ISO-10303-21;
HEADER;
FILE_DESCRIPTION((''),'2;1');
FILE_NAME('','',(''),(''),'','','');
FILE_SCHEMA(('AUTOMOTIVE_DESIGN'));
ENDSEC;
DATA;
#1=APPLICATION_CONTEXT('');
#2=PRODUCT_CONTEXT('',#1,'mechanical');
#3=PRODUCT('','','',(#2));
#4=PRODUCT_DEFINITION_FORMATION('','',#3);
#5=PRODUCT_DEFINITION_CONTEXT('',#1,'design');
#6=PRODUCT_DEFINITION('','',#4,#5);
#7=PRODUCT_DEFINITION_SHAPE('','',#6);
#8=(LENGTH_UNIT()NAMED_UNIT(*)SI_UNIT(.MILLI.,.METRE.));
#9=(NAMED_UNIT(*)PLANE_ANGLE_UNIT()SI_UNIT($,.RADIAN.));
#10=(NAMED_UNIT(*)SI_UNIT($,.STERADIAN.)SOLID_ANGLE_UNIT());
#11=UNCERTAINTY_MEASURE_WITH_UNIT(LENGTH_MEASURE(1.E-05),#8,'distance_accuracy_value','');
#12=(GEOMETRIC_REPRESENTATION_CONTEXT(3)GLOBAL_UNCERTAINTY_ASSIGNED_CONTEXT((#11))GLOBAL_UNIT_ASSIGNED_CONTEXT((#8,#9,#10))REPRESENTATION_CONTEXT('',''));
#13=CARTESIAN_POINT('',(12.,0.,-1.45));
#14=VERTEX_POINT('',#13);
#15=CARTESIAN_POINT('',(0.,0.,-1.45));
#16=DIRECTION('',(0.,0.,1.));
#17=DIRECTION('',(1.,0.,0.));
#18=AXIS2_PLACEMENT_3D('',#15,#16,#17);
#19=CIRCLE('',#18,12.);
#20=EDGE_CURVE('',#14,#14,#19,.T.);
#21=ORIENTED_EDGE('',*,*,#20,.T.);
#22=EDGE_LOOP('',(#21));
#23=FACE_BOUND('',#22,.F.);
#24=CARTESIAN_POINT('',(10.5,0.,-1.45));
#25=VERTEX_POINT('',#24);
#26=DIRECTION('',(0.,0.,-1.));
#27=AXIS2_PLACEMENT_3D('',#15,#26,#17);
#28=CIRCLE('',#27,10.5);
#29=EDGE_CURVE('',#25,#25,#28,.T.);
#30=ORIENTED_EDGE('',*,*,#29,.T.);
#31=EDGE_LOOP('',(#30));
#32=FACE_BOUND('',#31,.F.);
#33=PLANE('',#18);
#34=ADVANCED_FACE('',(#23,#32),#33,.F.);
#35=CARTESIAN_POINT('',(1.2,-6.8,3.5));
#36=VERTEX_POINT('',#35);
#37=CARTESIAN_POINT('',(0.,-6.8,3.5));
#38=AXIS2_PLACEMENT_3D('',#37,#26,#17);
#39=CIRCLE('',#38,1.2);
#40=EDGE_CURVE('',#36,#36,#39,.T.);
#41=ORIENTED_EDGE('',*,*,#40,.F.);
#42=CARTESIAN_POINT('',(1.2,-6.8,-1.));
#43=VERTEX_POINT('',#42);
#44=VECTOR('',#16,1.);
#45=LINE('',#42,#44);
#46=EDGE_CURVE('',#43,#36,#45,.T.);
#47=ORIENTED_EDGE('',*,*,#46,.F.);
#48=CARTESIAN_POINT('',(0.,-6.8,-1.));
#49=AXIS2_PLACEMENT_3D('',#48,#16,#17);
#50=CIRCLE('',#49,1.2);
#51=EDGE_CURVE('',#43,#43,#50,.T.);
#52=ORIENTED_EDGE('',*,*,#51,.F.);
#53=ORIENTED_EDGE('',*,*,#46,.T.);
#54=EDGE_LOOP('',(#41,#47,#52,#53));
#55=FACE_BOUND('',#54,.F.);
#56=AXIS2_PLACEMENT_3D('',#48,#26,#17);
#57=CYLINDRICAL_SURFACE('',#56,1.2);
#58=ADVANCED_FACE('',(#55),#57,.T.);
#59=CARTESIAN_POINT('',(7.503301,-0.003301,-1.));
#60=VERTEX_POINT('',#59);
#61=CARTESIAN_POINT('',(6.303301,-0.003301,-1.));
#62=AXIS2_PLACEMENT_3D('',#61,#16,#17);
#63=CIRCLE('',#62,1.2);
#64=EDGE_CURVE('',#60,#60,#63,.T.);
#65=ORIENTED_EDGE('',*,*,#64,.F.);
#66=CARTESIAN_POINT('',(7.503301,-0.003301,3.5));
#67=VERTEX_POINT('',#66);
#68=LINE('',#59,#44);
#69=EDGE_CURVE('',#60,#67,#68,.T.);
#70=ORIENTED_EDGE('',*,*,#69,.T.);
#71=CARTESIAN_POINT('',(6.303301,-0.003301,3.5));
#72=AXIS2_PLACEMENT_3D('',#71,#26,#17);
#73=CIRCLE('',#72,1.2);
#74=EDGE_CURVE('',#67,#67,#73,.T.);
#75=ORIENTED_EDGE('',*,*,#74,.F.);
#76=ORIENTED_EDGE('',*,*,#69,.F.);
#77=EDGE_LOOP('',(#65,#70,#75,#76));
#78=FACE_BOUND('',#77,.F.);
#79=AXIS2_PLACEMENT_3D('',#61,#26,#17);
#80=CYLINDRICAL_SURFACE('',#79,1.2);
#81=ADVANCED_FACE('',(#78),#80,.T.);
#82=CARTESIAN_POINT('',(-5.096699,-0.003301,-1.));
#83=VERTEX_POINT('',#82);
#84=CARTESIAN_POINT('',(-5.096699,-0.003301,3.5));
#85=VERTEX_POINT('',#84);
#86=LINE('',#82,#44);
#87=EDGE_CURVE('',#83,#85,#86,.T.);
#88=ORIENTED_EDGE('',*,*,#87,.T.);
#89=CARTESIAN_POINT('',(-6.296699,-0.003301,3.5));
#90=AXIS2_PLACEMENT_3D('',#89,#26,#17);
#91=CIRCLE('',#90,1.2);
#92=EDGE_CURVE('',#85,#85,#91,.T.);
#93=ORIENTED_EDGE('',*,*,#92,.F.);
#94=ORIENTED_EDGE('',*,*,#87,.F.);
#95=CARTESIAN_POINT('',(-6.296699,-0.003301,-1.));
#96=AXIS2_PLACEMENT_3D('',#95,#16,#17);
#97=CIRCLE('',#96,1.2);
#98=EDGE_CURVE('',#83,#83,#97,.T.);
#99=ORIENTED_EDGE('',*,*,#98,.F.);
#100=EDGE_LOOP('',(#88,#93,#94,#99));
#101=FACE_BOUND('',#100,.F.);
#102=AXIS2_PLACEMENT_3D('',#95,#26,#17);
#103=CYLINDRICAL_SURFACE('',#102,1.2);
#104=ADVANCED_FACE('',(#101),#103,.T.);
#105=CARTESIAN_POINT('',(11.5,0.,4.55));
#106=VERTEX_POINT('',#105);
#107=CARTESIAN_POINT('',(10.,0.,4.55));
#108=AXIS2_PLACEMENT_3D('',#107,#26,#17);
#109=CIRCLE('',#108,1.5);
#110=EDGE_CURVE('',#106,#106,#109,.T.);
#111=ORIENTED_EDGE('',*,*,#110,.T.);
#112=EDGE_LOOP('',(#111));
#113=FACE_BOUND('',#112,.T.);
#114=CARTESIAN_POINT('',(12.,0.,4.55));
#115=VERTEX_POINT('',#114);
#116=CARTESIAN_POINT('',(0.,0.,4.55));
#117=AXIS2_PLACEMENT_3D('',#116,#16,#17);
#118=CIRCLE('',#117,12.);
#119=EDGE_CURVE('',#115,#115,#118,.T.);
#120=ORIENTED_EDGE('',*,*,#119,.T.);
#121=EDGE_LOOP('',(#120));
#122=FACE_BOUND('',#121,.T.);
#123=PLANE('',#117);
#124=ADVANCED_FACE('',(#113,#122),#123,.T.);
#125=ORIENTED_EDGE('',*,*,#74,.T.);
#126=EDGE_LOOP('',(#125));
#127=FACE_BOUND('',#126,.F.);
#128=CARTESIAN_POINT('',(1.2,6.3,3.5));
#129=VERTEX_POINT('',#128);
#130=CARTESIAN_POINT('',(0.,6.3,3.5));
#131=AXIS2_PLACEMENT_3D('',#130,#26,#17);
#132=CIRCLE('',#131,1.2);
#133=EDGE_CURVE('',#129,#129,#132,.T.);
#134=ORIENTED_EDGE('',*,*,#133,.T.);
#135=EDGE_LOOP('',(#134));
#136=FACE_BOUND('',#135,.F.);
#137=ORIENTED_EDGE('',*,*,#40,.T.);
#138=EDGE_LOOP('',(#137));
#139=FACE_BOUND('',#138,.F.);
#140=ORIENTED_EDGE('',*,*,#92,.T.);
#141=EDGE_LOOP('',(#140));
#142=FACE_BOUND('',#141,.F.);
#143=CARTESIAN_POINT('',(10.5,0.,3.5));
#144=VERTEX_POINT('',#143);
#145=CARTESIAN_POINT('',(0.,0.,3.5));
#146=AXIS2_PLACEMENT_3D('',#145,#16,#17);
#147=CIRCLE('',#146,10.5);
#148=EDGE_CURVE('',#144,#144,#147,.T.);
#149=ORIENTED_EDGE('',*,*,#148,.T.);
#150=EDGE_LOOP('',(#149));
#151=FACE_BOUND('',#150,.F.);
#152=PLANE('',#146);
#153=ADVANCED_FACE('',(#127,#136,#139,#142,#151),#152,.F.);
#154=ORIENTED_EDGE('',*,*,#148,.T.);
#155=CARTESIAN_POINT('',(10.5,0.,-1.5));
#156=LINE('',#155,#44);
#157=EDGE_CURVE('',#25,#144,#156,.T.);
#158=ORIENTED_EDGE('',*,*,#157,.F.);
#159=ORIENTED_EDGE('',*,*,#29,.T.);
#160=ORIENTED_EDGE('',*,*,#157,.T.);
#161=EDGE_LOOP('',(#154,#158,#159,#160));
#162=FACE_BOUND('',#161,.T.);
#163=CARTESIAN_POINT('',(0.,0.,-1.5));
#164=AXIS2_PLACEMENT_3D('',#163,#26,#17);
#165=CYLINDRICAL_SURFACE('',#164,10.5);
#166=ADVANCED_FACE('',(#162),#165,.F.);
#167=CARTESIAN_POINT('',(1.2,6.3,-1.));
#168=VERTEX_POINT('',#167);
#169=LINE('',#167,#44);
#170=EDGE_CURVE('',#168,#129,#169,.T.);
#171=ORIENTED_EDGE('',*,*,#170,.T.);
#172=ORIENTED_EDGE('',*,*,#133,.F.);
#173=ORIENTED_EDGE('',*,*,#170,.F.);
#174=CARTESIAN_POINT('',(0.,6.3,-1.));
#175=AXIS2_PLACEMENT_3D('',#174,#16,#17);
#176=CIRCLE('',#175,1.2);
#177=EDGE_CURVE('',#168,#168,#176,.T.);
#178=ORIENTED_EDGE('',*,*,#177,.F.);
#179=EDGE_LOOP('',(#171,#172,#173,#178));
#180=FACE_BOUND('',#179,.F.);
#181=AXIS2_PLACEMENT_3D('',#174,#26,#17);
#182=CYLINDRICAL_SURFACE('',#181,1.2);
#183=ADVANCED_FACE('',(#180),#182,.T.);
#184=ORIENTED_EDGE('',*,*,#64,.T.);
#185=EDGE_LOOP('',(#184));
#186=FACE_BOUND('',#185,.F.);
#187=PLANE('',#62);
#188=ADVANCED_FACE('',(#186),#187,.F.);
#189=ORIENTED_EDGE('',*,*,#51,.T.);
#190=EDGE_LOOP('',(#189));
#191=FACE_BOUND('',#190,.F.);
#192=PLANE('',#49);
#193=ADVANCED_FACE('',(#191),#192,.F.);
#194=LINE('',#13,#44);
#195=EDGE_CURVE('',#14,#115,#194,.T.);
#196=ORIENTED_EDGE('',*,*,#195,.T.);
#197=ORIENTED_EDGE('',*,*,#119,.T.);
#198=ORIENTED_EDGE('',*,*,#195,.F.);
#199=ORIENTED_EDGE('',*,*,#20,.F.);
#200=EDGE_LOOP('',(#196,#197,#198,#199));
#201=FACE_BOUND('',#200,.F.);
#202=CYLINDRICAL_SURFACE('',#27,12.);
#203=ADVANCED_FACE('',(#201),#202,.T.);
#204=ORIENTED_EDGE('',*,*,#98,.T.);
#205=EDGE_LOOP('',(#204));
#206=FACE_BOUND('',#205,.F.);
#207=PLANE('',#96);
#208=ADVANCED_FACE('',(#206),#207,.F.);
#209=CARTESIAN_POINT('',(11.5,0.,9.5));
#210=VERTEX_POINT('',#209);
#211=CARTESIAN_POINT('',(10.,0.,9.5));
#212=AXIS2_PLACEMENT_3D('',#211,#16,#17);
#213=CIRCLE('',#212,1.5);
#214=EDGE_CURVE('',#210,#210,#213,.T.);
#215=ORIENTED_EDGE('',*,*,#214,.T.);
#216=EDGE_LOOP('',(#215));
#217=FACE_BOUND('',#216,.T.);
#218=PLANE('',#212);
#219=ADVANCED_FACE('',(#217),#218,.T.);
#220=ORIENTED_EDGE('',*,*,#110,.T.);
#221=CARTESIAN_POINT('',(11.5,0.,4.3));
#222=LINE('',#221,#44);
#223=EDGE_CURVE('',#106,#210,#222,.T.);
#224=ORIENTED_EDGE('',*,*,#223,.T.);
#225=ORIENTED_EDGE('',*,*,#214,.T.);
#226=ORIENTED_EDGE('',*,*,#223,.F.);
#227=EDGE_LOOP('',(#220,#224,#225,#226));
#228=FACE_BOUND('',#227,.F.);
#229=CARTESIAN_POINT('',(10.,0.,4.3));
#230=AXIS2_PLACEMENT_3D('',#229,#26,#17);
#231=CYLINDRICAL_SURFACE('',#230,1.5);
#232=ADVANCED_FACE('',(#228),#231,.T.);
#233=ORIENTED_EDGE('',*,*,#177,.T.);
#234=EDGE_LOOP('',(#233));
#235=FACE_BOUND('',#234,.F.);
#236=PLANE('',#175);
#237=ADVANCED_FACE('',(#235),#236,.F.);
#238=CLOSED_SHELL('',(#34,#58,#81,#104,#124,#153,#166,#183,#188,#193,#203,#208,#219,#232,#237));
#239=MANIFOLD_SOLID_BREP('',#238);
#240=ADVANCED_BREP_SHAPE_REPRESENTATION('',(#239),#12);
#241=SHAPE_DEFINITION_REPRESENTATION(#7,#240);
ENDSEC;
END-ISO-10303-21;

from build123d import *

# Parameters (mm, degrees)
CYLINDER032_R     = 1.5
CYLINDER032_DEPTH = 5.2
CYLINDER026_R     = 1.2
CYLINDER026_DEPTH = 4.8
CYLINDER028_R     = 1.2
CYLINDER028_DEPTH = 4.8
CYLINDER024_R     = 1.2
CYLINDER024_DEPTH = 4.8
CYLINDER031_R     = 1.2
CYLINDER031_DEPTH = 4.8
CYLINDER023_R     = 10.5
CYLINDER023_DEPTH = 5
CYLINDER022_R     = 12
CYLINDER022_DEPTH = 6


with BuildPart() as cylinder032:
    # Cylinder032 → Cylinder032 (new body)
    with BuildSketch(Plane(origin=(10, 0, 4.3), x_dir=(1, 0, 0), z_dir=(0, 0, 1))):
        Circle(CYLINDER032_R)
    extrude(amount=CYLINDER032_DEPTH)


with BuildPart() as cylinder026:
    # Cylinder026 → Cylinder026 (new body)
    with BuildSketch(Plane(origin=(0, -6.8, -1), x_dir=(1, 0, 0), z_dir=(0, 0, 1))):
        Circle(CYLINDER026_R)
    extrude(amount=CYLINDER026_DEPTH)


with BuildPart() as cylinder028:
    # Cylinder028 → Cylinder028 (new body)
    with BuildSketch(Plane(origin=(6.303301, -0.003301, -1), x_dir=(1, 0, 0), z_dir=(0, 0, 1))):
        Circle(CYLINDER028_R)
    extrude(amount=CYLINDER028_DEPTH)


with BuildPart() as cylinder024:
    # Cylinder024 → Cylinder024 (new body)
    with BuildSketch(Plane(origin=(0, 6.3, -1), x_dir=(1, 0, 0), z_dir=(0, 0, 1))):
        Circle(CYLINDER024_R)
    extrude(amount=CYLINDER024_DEPTH)


with BuildPart() as cylinder031:
    # Cylinder031 → Cylinder031 (new body)
    with BuildSketch(Plane(origin=(-6.296699, -0.003301, -1), x_dir=(1, 0, 0), z_dir=(0, 0, 1))):
        Circle(CYLINDER031_R)
    extrude(amount=CYLINDER031_DEPTH)


with BuildPart() as cylinder023:
    # Cylinder023 → Cylinder023 (new body)
    with BuildSketch(Plane.XY.offset(-1.5)):
        Circle(CYLINDER023_R)
    extrude(amount=CYLINDER023_DEPTH)


with BuildPart() as fusion008:
    # Cylinder022 → Cylinder022 (new body)
    with BuildSketch(Plane.XY.offset(-1.45)):
        Circle(CYLINDER022_R)
    extrude(amount=CYLINDER022_DEPTH)

    # Cut014: cut Cylinder023
    add(cylinder023.part, mode=Mode.SUBTRACT)

    # Fusion007: union Cylinder026, Cylinder028, Cylinder024, Cylinder031
    add(cylinder026.part)
    add(cylinder028.part)
    add(cylinder024.part)
    add(cylinder031.part)

    # Fusion008: union Cylinder032
    add(cylinder032.part)


solid = fusion008.part
